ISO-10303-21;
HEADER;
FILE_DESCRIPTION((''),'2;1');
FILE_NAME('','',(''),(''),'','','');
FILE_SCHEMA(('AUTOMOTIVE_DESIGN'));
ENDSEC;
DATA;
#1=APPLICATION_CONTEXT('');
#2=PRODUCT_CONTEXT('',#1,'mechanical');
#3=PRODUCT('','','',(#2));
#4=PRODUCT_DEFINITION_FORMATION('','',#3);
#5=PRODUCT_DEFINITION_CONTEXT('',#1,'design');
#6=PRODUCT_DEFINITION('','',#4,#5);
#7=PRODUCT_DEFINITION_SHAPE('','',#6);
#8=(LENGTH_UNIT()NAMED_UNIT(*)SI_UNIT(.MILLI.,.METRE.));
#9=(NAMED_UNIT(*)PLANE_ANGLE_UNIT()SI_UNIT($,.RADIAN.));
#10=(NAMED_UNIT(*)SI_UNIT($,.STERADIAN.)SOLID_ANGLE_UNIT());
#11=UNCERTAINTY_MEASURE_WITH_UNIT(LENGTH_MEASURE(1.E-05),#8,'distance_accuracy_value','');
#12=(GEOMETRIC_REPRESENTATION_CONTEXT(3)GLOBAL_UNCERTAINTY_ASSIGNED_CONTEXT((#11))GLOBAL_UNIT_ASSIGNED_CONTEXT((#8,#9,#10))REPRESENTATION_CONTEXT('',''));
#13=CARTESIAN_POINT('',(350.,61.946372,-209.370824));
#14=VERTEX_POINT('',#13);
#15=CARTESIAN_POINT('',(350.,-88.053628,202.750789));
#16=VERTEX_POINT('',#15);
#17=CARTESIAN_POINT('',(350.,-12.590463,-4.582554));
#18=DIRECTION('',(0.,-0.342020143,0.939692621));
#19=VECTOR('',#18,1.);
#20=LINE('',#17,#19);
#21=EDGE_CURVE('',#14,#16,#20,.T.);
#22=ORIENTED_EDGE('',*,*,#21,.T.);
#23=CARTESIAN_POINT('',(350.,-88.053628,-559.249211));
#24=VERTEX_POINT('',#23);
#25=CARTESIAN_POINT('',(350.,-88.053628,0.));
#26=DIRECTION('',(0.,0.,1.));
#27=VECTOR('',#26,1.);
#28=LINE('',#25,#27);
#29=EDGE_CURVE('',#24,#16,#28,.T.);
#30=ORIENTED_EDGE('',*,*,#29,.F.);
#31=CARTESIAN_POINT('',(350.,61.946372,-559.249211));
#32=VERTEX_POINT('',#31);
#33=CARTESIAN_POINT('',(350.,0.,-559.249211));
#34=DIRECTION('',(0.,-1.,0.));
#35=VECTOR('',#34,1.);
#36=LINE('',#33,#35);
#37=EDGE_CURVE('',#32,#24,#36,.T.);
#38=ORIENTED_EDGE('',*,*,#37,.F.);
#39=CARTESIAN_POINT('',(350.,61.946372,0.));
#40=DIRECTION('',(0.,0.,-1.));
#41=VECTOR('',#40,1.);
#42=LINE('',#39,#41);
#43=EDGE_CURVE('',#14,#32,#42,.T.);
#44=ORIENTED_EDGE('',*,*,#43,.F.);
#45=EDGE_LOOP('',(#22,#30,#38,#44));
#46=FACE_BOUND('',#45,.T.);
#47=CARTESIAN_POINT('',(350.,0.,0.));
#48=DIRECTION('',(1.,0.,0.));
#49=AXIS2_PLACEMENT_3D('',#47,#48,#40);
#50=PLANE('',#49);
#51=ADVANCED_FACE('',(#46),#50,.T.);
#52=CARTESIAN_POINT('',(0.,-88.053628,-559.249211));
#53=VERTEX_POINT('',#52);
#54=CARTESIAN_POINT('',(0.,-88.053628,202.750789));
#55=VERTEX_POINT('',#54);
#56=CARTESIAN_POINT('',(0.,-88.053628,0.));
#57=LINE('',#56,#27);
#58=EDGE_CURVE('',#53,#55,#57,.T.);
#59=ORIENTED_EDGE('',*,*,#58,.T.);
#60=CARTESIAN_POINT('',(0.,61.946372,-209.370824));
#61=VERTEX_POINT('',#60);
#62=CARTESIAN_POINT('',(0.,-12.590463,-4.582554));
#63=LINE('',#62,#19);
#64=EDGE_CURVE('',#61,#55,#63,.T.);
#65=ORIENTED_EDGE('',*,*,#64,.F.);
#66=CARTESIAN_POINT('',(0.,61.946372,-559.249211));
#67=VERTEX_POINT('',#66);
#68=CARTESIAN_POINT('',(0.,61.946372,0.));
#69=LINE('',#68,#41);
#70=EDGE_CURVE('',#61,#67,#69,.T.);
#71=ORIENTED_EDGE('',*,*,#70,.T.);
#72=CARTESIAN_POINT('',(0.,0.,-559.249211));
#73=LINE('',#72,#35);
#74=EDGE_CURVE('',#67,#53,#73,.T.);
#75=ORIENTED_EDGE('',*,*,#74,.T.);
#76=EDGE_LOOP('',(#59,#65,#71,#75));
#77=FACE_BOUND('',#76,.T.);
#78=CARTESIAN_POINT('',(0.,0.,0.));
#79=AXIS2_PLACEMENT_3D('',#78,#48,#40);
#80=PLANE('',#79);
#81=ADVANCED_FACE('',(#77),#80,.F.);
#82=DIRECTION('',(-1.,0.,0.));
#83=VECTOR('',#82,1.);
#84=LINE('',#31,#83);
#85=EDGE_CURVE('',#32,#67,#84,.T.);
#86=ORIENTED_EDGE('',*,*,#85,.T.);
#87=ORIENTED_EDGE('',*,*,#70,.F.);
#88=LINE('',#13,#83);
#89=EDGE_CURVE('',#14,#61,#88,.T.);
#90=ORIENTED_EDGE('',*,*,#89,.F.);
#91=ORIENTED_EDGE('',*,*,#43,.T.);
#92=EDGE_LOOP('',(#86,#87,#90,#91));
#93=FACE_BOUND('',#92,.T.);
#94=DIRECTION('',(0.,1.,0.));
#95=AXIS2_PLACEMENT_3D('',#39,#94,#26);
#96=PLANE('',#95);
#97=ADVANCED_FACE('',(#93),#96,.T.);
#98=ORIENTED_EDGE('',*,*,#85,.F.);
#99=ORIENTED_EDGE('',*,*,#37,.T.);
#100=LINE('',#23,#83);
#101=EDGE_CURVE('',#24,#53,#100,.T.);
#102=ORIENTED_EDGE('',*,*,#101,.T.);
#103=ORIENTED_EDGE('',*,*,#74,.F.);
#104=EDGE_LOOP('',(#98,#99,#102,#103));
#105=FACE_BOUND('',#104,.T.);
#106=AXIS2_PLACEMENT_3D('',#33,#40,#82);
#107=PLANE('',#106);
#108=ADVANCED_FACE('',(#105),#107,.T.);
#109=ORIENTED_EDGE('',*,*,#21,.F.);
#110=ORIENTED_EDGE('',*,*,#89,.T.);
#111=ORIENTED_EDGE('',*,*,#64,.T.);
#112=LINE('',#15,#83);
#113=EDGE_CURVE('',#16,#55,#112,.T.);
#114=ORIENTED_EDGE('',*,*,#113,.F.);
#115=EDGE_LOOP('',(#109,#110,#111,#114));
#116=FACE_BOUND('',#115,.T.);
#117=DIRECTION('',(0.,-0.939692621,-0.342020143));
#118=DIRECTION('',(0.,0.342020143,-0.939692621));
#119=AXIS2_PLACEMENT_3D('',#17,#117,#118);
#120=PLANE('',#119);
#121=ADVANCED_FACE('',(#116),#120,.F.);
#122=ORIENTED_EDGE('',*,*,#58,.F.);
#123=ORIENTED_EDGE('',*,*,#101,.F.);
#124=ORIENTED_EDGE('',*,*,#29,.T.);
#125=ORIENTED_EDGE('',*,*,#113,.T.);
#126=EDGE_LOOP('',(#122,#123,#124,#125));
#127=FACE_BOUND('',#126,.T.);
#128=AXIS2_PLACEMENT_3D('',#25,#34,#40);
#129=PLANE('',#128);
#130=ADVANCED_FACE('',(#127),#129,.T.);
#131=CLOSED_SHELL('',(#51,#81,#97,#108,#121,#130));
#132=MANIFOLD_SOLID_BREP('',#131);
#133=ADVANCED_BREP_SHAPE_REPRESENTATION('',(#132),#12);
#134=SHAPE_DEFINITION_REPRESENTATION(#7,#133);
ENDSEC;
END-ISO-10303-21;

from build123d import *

# Parameters (mm, degrees)
BOSS_EXTRUDE1_DEPTH = 350


with BuildPart() as part:
    # Sketch1 → Boss-Extrude1 (new body)
    with BuildSketch(Plane(origin=(0, 0, 0), x_dir=(0, 0, -1), z_dir=(1, 0, 0))):
        Polygon((209.249211356, 61.902108757), (-202.750788644, -88.05362776), (209.249211356, -88.05362776), (559.249211356, -88.05362776), (559.249211356, 61.94637224), (209.370824275, 61.94637224), align=None)
    extrude(amount=BOSS_EXTRUDE1_DEPTH)


solid = part.part
